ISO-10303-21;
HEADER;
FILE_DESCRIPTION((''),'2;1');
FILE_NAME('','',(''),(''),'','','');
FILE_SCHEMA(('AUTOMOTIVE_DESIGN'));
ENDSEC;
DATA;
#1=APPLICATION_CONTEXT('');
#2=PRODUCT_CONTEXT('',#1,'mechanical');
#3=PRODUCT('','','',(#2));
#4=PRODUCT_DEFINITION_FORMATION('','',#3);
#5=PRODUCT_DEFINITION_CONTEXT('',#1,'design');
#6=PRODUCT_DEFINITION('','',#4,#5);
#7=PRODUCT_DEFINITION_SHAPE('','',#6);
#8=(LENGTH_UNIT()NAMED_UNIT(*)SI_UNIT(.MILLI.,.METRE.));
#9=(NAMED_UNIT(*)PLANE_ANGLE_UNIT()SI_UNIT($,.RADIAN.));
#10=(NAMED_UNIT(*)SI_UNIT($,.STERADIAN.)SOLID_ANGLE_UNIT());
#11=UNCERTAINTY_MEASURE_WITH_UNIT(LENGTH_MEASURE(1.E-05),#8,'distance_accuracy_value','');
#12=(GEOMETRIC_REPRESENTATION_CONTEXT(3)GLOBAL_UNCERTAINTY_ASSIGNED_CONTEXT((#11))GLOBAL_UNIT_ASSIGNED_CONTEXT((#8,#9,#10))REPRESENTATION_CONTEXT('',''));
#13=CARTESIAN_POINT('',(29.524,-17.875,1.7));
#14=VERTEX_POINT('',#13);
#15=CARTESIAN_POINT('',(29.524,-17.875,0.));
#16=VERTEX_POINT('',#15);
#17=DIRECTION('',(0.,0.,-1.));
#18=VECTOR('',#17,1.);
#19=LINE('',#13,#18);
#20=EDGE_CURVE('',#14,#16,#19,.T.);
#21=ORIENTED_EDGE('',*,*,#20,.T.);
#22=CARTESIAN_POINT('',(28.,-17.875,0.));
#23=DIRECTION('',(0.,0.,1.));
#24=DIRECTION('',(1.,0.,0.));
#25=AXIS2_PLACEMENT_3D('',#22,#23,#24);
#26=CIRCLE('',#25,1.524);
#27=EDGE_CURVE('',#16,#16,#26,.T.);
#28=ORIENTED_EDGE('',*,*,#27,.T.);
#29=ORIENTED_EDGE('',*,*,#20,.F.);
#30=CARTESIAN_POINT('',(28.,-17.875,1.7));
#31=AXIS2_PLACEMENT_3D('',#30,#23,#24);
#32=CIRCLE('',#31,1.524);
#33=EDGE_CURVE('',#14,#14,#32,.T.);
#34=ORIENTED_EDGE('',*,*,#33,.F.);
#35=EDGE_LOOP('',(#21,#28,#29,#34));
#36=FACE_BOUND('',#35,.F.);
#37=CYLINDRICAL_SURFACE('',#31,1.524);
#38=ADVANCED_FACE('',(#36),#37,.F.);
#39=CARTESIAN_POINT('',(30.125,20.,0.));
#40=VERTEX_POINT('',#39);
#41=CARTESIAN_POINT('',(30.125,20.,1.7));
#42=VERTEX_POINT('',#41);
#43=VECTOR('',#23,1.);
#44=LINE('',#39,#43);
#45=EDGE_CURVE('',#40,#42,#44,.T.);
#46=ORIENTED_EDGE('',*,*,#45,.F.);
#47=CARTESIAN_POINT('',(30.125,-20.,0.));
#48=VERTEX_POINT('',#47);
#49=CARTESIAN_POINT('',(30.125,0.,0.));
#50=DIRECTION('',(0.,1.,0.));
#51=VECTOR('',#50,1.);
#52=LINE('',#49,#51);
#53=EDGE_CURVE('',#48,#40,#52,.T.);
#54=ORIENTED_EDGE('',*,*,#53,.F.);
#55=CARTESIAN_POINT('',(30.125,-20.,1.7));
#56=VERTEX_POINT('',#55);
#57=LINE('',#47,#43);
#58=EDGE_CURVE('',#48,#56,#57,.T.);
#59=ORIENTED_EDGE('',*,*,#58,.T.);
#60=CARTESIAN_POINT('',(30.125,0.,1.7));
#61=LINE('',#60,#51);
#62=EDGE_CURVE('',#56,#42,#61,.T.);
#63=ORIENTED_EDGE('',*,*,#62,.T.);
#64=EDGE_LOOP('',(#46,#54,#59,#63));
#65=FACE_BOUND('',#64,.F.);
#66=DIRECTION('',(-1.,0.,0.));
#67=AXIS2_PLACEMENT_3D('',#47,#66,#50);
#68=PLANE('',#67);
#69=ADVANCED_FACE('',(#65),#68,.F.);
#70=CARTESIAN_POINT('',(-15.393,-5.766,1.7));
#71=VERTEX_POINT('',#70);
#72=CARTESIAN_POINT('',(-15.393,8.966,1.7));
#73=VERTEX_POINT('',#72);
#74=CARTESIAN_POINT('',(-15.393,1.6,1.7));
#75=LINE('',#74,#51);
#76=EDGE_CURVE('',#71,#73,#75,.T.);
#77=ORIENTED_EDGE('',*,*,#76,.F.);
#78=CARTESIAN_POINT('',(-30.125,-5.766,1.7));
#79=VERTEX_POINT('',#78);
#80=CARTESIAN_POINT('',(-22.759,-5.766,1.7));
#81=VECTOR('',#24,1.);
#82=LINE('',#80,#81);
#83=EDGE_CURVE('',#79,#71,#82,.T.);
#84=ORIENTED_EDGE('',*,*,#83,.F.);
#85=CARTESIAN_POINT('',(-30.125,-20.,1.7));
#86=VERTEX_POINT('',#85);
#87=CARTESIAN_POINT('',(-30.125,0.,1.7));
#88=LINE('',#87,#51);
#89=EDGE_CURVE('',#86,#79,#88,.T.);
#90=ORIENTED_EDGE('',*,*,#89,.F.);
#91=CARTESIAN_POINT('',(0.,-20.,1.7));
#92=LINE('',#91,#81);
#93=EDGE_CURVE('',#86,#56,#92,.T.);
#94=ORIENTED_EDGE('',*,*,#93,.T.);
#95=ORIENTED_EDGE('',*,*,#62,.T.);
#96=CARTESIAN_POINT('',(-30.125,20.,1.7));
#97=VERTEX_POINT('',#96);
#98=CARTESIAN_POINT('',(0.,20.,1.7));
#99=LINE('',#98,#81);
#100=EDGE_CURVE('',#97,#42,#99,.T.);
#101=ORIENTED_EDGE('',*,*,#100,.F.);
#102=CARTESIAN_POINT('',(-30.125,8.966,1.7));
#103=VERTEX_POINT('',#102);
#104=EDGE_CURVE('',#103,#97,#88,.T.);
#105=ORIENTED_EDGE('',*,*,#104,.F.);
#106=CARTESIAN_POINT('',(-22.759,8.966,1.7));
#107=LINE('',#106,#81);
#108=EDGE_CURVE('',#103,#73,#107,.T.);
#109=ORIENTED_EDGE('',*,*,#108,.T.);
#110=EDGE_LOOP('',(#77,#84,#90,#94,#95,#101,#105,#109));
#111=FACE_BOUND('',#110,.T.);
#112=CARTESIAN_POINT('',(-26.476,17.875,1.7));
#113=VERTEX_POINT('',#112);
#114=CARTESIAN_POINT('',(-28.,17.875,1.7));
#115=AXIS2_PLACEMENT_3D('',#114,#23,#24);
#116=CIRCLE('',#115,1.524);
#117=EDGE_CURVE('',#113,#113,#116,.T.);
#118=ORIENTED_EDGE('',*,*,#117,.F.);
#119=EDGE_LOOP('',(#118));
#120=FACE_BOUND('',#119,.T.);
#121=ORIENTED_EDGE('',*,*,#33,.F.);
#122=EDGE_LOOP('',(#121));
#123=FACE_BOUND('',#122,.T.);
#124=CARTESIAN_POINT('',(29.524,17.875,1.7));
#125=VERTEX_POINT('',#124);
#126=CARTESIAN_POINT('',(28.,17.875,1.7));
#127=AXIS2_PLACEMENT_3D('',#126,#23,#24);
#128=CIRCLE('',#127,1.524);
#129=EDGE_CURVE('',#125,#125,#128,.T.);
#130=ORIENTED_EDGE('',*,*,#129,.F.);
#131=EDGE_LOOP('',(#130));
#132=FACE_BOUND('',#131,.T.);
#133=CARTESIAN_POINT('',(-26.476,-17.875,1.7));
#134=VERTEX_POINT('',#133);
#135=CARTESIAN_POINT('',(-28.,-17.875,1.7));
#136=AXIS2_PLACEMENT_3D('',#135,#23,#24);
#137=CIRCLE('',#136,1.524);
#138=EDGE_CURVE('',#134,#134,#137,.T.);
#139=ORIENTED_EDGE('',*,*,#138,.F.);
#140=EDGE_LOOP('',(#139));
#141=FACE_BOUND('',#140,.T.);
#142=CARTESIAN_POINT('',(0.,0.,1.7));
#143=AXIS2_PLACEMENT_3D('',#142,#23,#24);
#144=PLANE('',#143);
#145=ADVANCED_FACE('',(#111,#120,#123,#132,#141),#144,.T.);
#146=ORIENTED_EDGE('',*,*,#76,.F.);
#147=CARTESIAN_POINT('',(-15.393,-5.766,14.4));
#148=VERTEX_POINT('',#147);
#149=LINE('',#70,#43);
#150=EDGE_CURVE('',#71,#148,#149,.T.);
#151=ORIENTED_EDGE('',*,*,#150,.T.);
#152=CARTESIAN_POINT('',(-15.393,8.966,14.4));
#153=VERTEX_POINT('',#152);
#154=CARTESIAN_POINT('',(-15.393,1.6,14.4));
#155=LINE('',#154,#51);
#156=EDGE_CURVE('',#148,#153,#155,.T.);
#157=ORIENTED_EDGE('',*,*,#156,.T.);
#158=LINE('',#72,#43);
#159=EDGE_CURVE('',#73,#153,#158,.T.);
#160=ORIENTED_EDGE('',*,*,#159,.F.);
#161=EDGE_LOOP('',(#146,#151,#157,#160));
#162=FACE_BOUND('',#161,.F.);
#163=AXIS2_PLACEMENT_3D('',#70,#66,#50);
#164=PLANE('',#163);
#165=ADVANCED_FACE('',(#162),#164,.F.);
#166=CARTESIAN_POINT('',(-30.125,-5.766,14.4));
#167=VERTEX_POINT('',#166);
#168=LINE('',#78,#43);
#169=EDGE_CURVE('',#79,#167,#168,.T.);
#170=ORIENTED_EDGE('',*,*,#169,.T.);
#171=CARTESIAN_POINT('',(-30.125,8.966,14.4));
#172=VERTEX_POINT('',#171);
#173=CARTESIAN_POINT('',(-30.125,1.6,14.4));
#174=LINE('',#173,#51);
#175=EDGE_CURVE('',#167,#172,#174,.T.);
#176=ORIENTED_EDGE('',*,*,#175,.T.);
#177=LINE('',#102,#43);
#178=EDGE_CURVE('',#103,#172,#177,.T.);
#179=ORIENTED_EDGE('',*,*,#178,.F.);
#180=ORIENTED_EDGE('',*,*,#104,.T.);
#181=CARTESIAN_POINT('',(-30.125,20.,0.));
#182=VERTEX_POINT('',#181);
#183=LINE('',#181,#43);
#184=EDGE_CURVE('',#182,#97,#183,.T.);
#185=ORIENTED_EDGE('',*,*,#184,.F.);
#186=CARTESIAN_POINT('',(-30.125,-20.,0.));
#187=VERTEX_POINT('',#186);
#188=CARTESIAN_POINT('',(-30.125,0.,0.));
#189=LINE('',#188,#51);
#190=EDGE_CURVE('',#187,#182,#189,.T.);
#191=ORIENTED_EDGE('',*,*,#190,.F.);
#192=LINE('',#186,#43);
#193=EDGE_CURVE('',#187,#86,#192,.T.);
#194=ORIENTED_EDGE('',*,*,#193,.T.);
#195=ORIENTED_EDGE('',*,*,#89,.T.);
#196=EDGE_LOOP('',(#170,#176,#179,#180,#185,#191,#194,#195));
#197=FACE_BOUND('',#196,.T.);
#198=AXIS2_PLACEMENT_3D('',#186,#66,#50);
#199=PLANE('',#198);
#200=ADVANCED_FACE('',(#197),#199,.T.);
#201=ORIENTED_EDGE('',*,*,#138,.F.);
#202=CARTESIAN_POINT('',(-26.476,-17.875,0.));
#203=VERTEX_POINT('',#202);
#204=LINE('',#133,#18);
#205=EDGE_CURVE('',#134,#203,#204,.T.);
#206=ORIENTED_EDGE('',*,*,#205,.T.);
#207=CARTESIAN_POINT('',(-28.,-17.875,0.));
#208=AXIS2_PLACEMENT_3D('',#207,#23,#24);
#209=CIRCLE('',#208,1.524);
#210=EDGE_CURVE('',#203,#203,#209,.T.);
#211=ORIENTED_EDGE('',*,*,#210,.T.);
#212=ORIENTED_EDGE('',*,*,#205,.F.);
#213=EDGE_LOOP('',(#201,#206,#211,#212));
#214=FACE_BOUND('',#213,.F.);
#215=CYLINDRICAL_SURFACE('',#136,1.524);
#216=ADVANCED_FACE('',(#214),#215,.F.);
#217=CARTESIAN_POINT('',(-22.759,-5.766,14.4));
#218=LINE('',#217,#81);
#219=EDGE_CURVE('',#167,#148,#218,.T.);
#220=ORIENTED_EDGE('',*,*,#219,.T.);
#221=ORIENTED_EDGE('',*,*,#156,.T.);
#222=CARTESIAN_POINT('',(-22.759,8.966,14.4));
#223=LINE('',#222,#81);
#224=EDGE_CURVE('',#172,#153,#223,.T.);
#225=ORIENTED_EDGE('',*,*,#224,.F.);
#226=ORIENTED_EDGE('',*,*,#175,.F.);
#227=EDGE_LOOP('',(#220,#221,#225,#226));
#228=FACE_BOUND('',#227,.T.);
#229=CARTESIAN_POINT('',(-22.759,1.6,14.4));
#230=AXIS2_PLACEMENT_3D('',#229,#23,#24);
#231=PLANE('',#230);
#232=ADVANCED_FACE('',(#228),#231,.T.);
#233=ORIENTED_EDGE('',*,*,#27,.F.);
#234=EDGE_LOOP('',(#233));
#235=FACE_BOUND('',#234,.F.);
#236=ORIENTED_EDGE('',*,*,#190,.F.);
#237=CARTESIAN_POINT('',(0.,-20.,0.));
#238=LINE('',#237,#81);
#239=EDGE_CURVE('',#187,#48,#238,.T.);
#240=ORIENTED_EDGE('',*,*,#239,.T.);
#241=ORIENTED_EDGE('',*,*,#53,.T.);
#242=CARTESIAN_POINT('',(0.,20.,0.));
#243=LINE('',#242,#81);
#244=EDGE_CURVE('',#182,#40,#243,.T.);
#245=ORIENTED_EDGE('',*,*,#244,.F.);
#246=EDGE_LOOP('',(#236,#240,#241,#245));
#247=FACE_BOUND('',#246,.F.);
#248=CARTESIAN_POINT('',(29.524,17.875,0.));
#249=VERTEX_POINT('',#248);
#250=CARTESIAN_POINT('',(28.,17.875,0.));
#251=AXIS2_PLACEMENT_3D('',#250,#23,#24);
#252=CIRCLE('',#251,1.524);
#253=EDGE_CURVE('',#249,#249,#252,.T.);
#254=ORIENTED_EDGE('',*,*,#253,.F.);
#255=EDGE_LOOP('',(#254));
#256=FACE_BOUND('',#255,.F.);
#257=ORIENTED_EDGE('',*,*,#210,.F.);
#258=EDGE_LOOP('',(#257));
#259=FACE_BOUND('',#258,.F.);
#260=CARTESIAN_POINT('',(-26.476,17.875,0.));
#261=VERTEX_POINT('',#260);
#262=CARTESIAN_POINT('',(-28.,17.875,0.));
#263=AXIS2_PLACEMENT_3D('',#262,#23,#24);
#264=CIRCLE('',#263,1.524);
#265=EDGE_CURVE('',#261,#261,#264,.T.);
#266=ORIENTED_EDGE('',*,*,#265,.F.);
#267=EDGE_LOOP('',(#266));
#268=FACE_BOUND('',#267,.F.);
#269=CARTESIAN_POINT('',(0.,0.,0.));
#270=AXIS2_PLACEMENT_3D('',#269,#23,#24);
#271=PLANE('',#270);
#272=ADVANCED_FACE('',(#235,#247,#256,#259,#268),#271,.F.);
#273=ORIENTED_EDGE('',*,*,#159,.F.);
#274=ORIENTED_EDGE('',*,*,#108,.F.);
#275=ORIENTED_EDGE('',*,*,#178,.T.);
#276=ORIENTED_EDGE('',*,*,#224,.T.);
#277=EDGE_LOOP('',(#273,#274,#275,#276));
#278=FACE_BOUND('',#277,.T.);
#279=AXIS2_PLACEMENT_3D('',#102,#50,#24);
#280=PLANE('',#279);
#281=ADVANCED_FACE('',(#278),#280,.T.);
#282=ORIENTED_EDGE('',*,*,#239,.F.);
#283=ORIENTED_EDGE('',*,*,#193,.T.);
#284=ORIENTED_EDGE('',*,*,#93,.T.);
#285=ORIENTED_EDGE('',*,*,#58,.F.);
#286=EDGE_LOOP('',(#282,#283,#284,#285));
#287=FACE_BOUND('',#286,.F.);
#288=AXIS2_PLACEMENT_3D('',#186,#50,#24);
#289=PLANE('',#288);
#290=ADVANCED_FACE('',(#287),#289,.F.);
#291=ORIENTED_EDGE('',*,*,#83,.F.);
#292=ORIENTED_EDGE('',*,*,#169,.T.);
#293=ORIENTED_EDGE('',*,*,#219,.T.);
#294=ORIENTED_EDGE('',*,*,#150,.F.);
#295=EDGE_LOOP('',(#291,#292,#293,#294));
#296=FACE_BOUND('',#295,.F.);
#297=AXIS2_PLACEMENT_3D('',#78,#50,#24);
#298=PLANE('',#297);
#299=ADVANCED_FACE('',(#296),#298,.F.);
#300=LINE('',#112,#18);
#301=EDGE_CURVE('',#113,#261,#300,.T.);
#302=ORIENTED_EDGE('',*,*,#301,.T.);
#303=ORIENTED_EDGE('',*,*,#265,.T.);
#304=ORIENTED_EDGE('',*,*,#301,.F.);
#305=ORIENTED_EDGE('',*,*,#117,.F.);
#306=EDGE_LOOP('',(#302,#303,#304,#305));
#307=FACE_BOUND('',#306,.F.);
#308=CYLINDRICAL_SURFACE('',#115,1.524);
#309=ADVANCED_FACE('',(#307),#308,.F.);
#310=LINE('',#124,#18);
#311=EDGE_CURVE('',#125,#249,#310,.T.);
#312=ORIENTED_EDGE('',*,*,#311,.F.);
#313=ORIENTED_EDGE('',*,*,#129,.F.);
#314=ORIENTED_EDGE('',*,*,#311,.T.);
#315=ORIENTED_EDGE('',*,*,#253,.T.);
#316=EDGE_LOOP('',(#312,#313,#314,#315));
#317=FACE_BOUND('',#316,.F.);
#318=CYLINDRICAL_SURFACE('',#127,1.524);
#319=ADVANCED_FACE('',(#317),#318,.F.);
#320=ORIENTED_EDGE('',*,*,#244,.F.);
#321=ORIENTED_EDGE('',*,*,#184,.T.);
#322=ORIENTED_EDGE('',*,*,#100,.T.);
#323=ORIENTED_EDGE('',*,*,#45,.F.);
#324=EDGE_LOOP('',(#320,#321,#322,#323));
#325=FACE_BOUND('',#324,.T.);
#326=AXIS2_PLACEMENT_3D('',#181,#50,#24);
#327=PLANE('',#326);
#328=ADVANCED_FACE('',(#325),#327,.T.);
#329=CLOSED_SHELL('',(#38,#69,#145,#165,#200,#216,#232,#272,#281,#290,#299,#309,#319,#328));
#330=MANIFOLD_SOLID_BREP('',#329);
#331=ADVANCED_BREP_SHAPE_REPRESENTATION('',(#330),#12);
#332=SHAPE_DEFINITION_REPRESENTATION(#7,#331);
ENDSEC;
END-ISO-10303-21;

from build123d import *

# Parameters (mm, degrees)
F0_W     = 60.25
F0_H     = 40
F1_DEPTH = 1.7
F2_R     = 1.524
F3_DEPTH = 1.701
F4_W     = 14.732
F4_H     = 14.732
F5_DEPTH = 12.7


with BuildPart() as f1:
    # F0 (on Top) → F1 (new body)
    with BuildSketch(Plane.XY):
        Rectangle(F0_W, F0_H)
    extrude(amount=F1_DEPTH)

    # F2 (on face) → F3 (cut, through all)
    with BuildSketch(Plane.XY.offset(1.7)):
        with Locations((-28, 17.875)):
            Circle(F2_R)
        with Locations((28, 17.875)):
            Circle(F2_R)
        with Locations((28, -17.875)):
            Circle(F2_R)
        with Locations((-28, -17.875)):
            Circle(F2_R)
    extrude(amount=-F3_DEPTH, mode=Mode.SUBTRACT)

    # F4 (on face) → F5 (join)
    with BuildSketch(Plane.XY.offset(1.7)):
        with Locations((-22.759, 1.6)):
            Rectangle(F4_W, F4_H)
    extrude(amount=F5_DEPTH)


solid = f1.part
